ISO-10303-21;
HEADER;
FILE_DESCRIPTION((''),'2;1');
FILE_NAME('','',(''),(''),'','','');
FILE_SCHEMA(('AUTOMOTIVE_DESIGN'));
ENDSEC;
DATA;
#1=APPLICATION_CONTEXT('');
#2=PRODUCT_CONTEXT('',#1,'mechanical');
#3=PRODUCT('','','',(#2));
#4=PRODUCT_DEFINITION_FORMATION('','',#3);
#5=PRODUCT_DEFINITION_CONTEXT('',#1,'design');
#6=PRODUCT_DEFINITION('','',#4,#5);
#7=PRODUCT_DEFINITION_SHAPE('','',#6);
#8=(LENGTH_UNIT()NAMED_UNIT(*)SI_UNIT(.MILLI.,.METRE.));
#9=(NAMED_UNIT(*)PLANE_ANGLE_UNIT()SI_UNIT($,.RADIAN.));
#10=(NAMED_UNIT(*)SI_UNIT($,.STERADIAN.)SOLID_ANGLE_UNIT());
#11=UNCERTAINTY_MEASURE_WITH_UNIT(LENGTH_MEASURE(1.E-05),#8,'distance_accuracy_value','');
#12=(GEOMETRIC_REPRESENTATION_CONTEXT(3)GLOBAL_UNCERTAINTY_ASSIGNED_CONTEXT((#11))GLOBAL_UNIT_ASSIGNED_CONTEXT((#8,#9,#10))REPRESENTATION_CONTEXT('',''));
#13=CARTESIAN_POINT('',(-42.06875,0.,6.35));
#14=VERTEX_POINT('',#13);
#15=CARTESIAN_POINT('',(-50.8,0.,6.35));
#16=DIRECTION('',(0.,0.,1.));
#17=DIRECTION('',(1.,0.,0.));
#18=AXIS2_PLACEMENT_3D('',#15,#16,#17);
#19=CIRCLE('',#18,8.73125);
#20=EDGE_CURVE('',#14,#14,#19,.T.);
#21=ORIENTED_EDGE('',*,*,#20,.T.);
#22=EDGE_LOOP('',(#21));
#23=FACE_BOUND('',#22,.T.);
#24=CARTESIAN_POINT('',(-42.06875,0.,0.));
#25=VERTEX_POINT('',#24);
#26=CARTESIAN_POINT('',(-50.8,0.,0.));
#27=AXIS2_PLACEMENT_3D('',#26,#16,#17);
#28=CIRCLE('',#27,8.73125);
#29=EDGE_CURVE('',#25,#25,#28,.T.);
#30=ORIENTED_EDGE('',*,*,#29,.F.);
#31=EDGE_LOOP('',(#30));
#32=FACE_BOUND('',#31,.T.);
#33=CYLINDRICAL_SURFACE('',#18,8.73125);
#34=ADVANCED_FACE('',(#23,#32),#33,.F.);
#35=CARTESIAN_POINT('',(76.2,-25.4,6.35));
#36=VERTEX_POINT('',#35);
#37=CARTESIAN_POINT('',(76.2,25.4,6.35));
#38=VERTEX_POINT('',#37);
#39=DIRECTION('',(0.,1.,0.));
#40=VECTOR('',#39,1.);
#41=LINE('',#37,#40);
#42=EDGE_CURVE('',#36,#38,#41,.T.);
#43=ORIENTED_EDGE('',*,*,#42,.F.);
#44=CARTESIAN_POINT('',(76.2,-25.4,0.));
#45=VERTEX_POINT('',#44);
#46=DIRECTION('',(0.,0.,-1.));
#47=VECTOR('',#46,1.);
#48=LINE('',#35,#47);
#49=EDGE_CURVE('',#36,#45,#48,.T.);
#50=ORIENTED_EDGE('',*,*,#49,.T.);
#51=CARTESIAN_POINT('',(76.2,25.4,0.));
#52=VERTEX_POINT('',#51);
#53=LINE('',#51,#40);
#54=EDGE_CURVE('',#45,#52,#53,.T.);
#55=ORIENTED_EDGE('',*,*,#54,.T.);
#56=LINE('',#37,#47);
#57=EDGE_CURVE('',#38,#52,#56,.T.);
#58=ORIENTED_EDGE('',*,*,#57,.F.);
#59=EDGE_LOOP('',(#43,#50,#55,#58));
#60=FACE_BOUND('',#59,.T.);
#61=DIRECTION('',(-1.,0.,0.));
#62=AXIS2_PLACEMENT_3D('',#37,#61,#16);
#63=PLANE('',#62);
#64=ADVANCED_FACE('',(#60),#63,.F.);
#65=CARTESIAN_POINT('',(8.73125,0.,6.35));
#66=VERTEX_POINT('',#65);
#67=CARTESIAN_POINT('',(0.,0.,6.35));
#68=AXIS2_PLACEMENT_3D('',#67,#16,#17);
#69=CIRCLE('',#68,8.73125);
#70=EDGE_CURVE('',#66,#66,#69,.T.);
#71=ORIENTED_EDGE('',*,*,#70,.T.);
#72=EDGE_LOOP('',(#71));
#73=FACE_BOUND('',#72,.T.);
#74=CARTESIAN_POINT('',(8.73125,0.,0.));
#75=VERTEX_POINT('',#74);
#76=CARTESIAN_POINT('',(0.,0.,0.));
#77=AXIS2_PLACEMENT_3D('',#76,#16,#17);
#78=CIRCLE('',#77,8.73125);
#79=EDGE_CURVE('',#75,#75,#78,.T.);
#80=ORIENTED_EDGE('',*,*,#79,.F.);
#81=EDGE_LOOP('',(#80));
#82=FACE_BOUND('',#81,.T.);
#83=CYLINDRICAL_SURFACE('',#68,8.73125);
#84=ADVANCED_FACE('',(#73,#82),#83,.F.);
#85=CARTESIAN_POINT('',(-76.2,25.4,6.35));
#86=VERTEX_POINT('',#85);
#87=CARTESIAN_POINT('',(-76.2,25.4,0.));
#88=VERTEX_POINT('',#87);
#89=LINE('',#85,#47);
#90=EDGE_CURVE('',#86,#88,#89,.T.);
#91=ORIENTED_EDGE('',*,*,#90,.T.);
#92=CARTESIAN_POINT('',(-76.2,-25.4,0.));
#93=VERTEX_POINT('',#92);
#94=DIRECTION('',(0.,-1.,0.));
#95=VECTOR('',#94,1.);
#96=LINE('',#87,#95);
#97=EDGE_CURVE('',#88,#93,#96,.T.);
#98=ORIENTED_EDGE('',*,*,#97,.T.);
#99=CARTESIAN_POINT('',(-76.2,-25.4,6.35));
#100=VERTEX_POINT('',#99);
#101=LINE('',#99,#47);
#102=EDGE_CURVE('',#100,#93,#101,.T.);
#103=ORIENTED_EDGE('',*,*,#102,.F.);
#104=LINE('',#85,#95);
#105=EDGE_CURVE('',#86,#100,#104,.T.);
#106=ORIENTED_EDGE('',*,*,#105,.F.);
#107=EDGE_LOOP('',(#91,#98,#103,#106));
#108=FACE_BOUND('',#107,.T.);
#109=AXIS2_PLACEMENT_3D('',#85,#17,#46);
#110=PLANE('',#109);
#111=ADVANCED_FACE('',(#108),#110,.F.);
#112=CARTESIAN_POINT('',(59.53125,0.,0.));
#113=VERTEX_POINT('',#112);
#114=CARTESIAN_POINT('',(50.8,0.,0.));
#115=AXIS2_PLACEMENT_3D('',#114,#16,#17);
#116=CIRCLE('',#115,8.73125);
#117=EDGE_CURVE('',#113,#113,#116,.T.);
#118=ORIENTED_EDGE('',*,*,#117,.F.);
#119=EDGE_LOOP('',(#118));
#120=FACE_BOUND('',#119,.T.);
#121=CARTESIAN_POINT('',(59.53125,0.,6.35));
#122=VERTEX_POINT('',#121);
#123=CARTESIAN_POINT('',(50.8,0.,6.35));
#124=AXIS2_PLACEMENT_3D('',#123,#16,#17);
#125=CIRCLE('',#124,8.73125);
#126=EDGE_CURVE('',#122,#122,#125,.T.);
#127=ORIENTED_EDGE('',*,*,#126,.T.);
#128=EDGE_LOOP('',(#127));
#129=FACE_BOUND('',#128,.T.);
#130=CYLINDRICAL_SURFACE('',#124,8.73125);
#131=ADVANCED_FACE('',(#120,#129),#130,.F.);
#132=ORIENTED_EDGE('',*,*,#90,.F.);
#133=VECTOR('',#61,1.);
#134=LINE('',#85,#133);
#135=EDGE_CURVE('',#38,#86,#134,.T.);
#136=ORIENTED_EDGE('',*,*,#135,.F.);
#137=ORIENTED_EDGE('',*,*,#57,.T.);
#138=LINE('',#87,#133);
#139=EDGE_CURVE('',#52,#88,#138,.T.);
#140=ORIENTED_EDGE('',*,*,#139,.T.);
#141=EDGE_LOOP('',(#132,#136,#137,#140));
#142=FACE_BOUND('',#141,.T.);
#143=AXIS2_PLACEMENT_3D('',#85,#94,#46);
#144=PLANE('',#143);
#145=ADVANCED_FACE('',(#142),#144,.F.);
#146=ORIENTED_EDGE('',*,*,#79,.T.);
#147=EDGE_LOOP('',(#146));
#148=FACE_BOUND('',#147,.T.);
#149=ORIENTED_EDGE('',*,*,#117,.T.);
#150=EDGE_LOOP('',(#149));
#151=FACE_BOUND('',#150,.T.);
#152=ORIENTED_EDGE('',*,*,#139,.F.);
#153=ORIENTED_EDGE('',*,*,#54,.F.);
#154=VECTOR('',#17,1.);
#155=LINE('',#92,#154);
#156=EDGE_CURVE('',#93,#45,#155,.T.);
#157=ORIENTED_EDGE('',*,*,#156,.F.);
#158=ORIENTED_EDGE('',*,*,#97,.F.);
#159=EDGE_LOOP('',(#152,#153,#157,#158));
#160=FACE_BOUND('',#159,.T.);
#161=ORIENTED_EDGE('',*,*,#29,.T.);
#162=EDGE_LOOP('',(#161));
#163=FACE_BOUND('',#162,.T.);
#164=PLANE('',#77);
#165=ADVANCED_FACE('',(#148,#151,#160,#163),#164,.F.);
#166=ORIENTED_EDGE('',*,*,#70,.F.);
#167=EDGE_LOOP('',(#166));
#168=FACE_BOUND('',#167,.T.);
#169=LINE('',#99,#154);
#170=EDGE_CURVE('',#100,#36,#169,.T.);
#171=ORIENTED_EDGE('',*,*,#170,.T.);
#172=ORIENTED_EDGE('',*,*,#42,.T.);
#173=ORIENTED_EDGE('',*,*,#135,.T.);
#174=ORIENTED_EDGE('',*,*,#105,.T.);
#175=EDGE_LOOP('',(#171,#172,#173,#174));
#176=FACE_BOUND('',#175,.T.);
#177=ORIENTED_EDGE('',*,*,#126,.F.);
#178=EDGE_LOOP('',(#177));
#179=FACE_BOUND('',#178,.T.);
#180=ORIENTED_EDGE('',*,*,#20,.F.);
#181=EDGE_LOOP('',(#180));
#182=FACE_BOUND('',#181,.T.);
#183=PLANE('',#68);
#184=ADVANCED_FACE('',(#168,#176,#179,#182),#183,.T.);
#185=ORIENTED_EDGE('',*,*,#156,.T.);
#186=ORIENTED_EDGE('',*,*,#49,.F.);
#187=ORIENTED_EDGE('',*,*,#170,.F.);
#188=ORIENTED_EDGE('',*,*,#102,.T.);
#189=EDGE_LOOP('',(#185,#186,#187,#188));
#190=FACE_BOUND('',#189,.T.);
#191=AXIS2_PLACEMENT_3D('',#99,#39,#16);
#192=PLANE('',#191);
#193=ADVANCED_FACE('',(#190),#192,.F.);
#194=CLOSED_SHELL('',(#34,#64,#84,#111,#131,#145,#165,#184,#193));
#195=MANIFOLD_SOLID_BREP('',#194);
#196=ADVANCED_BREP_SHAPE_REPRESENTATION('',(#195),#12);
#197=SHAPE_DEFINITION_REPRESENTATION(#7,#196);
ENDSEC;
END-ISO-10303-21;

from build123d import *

# Parameters (mm, degrees)
SKETCH1_W                       = 152.4
SKETCH1_H                       = 50.8
BOSS_EXTRUDE1_DEPTH             = 6.35
F_11_16_0_6875_DIAMETER_HOLE1_D = 17.4625


with BuildPart() as part:
    # Sketch1 → Boss-Extrude1 (new body)
    with BuildSketch(Plane.XY):
        Rectangle(SKETCH1_W, SKETCH1_H)
    extrude(amount=BOSS_EXTRUDE1_DEPTH)

    # 11/16 (0.6875) Diameter Hole1 (through all)
    with Locations(Plane.XY.offset(6.35)):
        with Locations((0, 0), (50.8, 0), (-50.8, 0)):
            Hole(F_11_16_0_6875_DIAMETER_HOLE1_D / 2)


solid = part.part
